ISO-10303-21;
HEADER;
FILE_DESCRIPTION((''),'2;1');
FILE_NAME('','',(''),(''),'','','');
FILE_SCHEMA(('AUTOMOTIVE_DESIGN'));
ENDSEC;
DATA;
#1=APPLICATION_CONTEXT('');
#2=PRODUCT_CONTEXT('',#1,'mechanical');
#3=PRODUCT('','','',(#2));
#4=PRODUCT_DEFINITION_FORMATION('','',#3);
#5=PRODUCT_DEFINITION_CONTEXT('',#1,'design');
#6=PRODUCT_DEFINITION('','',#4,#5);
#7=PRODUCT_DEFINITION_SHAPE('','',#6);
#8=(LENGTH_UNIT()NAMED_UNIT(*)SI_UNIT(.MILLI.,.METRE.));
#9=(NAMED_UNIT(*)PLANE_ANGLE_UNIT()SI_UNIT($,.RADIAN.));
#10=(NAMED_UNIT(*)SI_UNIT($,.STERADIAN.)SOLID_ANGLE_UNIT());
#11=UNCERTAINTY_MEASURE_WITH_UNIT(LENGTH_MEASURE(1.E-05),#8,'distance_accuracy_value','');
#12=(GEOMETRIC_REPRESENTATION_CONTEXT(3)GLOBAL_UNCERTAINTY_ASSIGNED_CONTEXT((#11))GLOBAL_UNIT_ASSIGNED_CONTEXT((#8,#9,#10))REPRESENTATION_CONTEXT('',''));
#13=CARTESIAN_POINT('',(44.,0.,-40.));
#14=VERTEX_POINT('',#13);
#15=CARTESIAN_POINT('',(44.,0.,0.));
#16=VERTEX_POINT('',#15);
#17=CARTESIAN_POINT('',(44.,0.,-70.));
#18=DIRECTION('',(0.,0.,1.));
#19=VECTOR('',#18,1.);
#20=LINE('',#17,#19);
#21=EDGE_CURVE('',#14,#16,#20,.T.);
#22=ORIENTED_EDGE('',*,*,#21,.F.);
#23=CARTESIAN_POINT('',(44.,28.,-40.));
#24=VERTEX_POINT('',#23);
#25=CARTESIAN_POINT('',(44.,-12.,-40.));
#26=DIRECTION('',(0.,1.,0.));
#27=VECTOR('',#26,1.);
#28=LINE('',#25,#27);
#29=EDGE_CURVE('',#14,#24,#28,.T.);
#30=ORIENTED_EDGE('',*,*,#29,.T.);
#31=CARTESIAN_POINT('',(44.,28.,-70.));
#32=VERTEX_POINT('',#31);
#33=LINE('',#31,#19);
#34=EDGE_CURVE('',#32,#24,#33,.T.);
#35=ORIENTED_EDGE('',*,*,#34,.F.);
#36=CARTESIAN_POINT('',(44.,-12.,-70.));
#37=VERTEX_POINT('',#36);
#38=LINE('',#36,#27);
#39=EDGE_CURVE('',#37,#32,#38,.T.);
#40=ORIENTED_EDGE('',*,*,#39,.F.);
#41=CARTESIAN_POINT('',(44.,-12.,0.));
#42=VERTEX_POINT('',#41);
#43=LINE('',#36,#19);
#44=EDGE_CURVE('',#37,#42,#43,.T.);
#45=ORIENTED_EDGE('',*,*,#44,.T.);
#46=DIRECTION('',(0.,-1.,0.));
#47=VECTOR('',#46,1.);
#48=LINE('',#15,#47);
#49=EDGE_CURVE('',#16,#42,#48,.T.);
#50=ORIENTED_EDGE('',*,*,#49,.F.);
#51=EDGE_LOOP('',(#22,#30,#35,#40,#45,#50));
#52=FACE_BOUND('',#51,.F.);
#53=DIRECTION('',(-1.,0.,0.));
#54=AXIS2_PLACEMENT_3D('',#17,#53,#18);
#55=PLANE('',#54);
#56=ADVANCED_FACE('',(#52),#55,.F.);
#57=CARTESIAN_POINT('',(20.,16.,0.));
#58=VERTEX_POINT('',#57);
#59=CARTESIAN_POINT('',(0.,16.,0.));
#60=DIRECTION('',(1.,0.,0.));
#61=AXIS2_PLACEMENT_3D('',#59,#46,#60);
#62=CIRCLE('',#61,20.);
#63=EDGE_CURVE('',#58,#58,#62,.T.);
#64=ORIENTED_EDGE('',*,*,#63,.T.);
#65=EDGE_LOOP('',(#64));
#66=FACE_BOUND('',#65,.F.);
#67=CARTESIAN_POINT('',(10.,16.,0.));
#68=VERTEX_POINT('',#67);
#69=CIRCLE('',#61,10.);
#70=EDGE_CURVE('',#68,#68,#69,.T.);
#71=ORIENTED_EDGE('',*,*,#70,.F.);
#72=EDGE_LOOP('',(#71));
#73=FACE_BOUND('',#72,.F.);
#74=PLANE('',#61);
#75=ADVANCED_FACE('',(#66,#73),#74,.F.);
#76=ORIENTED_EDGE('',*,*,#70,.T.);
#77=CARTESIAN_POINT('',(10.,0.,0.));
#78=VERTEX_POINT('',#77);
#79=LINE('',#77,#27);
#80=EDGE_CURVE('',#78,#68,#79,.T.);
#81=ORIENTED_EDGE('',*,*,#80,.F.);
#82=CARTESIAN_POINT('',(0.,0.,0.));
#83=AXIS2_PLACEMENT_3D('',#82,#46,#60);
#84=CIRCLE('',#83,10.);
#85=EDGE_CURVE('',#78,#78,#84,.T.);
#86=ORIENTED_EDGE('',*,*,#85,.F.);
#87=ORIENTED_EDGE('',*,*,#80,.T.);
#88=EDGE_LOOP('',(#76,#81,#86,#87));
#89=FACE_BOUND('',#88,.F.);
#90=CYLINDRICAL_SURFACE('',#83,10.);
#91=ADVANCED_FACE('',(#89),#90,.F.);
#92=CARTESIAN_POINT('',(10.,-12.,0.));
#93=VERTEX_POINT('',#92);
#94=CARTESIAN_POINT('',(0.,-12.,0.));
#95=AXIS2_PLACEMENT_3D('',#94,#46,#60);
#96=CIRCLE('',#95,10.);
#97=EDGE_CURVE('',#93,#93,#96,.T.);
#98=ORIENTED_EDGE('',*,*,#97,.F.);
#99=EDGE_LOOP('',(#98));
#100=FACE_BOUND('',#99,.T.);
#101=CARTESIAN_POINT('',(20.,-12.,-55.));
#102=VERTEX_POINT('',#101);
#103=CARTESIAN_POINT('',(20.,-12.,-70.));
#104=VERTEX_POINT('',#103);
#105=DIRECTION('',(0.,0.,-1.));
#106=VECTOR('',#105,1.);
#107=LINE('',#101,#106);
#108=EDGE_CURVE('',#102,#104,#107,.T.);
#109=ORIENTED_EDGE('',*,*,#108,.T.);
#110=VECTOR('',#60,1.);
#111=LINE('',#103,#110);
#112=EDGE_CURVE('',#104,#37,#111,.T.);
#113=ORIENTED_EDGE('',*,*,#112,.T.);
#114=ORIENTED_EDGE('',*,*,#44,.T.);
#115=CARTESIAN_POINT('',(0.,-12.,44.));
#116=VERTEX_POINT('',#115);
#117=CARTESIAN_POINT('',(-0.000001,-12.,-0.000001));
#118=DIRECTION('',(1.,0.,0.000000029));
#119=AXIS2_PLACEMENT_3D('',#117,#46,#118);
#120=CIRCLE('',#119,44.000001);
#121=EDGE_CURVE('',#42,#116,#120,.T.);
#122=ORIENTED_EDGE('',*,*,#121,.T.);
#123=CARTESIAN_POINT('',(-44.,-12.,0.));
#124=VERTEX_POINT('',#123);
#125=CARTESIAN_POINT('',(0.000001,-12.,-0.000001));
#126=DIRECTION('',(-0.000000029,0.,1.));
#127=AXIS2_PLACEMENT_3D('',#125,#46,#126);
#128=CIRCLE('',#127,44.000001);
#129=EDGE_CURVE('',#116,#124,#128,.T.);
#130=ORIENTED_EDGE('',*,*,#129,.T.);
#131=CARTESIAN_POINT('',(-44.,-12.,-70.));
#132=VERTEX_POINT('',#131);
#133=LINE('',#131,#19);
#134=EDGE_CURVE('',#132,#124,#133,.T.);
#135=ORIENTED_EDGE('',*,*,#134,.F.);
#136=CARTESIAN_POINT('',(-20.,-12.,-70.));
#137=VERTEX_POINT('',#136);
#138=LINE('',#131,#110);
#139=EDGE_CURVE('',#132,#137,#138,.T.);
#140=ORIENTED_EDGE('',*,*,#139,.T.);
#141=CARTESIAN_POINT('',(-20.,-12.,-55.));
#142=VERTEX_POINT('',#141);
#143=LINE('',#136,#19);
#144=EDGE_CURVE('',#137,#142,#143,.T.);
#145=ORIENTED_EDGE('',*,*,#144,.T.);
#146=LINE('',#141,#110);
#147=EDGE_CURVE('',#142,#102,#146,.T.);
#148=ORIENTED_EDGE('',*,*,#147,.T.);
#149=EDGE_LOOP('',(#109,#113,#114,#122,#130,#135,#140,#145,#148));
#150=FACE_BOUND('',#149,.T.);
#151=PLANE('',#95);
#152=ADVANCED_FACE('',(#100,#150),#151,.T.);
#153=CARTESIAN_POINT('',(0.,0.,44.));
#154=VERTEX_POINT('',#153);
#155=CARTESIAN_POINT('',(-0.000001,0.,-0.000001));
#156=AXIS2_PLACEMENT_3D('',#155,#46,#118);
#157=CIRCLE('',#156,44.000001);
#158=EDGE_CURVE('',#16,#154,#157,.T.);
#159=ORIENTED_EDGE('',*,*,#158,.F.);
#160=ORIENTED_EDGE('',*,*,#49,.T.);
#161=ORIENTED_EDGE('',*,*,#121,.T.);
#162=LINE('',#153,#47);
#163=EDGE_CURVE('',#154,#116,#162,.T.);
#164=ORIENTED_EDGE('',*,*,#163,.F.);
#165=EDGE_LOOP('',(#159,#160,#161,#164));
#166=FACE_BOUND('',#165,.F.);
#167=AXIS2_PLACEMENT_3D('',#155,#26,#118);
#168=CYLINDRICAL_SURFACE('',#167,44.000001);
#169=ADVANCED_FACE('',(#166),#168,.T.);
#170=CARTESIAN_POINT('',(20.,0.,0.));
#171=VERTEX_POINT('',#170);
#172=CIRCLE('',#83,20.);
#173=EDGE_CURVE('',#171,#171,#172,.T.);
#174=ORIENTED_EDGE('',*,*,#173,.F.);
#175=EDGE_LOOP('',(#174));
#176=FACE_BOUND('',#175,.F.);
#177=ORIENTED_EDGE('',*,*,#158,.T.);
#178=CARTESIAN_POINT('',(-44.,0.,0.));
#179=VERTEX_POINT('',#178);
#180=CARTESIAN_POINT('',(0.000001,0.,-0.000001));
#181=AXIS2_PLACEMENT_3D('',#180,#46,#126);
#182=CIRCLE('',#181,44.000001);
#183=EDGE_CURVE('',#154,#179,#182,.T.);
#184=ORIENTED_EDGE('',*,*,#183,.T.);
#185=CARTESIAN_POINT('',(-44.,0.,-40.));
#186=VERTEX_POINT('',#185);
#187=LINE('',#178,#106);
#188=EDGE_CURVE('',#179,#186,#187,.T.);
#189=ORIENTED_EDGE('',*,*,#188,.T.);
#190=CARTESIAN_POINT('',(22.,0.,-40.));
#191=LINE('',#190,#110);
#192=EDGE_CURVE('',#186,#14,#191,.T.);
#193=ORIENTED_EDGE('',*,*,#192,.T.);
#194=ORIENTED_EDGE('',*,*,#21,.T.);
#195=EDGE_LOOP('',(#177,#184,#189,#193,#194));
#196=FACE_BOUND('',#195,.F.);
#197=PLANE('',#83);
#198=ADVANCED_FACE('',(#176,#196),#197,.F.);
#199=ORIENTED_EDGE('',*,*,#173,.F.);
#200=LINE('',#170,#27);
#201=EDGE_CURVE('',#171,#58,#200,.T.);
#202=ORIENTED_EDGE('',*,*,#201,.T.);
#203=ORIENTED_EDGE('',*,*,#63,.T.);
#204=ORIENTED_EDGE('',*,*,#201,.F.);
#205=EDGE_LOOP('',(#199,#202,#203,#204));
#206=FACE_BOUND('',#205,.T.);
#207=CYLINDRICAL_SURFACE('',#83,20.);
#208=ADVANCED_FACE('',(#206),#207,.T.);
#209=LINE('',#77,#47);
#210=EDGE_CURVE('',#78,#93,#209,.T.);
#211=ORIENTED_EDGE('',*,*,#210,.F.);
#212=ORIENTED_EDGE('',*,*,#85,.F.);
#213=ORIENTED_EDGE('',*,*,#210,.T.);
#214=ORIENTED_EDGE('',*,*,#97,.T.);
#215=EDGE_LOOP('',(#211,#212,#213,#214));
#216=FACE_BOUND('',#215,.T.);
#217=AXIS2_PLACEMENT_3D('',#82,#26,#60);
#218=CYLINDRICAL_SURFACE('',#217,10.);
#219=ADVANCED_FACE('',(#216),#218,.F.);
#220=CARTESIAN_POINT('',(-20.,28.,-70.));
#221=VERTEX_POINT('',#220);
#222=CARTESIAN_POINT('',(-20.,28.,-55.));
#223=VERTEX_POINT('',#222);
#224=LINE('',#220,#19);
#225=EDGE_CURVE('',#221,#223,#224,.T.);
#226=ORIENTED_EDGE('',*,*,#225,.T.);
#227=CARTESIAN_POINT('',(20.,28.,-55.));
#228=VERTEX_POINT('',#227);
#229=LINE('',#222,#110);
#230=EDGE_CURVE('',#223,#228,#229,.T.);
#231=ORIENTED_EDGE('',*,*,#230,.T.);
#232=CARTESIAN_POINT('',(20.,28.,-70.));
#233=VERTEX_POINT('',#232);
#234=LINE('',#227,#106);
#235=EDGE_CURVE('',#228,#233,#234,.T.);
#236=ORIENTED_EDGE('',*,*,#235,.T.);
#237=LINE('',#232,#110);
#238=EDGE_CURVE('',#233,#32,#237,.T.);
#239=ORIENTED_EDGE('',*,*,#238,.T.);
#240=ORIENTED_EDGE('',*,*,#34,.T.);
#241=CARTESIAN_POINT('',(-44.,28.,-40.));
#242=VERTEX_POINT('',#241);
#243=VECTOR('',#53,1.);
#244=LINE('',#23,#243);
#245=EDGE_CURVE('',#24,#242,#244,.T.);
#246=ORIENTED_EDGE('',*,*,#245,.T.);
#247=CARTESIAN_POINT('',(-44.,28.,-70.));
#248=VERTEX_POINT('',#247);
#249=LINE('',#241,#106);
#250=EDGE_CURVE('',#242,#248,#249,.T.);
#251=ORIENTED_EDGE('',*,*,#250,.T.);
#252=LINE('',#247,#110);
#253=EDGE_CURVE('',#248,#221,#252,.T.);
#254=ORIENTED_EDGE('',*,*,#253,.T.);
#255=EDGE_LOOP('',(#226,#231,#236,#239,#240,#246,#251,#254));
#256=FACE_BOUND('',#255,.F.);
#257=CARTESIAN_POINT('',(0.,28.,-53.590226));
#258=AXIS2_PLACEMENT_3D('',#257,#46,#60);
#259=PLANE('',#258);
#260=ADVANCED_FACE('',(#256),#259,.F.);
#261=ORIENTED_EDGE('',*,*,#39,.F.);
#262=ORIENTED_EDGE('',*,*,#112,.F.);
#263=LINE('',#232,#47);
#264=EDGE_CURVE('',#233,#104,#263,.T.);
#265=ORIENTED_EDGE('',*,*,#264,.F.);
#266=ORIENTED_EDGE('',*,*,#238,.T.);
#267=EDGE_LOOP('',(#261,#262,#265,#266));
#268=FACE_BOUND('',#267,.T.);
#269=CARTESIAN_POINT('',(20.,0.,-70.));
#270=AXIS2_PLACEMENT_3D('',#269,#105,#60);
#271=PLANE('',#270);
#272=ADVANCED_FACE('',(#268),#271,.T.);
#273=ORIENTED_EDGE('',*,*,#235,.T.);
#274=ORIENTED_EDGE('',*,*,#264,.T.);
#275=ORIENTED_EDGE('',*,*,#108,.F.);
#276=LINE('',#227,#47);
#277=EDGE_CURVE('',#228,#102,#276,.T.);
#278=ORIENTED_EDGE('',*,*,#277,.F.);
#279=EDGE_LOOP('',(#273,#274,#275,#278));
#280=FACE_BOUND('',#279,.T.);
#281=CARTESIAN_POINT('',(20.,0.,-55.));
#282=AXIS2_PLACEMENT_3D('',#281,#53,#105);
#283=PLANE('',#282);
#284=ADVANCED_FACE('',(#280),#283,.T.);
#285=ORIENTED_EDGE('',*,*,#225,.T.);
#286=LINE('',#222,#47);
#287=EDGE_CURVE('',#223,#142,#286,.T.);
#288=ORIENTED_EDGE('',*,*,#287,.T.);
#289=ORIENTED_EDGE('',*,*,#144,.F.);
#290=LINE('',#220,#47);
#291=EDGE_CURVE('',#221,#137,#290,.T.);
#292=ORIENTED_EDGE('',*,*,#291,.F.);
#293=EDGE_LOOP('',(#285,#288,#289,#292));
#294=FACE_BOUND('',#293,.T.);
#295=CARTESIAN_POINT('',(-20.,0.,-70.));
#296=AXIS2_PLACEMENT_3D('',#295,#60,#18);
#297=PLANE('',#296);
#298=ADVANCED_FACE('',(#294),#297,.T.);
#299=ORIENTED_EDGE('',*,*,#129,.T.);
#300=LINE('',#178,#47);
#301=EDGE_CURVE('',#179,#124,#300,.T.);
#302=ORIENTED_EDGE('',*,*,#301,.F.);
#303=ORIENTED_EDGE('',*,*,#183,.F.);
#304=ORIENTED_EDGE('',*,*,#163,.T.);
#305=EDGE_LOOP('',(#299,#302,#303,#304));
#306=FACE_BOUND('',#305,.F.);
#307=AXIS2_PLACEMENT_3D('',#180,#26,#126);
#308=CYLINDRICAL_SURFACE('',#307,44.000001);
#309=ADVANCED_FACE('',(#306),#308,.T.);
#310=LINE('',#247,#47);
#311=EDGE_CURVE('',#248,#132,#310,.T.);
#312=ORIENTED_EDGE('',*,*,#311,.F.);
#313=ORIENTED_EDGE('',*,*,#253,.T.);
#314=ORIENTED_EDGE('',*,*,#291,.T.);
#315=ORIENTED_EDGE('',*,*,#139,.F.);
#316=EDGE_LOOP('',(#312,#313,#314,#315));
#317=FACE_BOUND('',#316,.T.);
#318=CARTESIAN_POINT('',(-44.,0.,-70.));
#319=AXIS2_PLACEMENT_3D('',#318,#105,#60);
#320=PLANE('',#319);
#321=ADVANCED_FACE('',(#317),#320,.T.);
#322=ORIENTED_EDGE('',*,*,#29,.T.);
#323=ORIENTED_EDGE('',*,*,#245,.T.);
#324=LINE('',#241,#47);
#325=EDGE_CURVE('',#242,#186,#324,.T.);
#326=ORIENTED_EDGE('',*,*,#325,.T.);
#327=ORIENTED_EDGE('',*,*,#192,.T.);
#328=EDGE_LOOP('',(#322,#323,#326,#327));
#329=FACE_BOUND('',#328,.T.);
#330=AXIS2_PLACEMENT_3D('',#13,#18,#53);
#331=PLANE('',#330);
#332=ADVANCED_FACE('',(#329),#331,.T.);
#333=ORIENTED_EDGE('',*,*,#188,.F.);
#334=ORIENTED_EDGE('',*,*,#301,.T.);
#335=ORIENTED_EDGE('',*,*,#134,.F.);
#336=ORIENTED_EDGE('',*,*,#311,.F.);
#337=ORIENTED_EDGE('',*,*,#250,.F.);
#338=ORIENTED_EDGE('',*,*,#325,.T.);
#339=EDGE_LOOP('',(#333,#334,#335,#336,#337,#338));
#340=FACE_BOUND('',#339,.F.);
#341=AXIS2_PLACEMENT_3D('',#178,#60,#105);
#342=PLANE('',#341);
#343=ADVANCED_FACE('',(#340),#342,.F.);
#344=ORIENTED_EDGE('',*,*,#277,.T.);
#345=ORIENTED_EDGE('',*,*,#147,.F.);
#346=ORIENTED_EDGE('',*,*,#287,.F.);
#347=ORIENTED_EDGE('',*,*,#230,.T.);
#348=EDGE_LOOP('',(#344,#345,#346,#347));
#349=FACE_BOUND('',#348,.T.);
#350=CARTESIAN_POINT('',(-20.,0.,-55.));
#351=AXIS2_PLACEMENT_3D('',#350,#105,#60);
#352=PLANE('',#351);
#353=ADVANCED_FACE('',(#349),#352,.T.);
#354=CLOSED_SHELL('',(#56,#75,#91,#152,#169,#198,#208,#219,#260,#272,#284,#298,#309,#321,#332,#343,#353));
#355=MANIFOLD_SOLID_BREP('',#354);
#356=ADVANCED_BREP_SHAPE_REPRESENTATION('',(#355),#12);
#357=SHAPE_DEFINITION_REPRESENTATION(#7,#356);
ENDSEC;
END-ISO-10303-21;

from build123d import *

# Parameters (mm, degrees)
F1_DEPTH      = 12
F1_DEPTH_BACK = 28
F0_R          = 20
F2_DEPTH      = 12
F0_R_2        = 10
F3_DEPTH      = 12
F3_DEPTH_BACK = 16


with BuildPart() as f1:
    # F0 (on Front) → F1 (new body, two sides)
    with BuildSketch(Plane.XZ) as f1_sk:
        Polygon((44, -40), (-44, -40), (-44, -70), (-20, -70), (-20, -55), (20, -55), (20, -70), (44, -70), align=None)
    extrude(amount=F1_DEPTH)
    extrude(f1_sk.sketch, amount=-F1_DEPTH_BACK)

    # F0 (on Front) → F2 (join)
    with BuildSketch(Plane.XZ):
        with BuildLine():
            Line((-44, 0), (-44, -40))
            Line((-44, -40), (44, -40))
            Line((44, -40), (44, 0))
            ThreePointArc((44, 0), (31.112698, 31.112698), (0, 44))
            ThreePointArc((0, 44), (-31.112698, 31.112698), (-44, 0))
        make_face()
        Circle(F0_R, mode=Mode.SUBTRACT)
        Polygon((44, -40), (-44, -40), (-44, -70), (-20, -70), (-20, -55), (20, -55), (20, -70), (44, -70), align=None)
    extrude(amount=F2_DEPTH)

    # F0 (on Front) → F3 (join, two sides)
    with BuildSketch(Plane.XZ) as f3_sk:
        Circle(F0_R)
        Circle(F0_R_2, mode=Mode.SUBTRACT)
    extrude(amount=F3_DEPTH)
    extrude(f3_sk.sketch, amount=-F3_DEPTH_BACK)


solid = f1.part
